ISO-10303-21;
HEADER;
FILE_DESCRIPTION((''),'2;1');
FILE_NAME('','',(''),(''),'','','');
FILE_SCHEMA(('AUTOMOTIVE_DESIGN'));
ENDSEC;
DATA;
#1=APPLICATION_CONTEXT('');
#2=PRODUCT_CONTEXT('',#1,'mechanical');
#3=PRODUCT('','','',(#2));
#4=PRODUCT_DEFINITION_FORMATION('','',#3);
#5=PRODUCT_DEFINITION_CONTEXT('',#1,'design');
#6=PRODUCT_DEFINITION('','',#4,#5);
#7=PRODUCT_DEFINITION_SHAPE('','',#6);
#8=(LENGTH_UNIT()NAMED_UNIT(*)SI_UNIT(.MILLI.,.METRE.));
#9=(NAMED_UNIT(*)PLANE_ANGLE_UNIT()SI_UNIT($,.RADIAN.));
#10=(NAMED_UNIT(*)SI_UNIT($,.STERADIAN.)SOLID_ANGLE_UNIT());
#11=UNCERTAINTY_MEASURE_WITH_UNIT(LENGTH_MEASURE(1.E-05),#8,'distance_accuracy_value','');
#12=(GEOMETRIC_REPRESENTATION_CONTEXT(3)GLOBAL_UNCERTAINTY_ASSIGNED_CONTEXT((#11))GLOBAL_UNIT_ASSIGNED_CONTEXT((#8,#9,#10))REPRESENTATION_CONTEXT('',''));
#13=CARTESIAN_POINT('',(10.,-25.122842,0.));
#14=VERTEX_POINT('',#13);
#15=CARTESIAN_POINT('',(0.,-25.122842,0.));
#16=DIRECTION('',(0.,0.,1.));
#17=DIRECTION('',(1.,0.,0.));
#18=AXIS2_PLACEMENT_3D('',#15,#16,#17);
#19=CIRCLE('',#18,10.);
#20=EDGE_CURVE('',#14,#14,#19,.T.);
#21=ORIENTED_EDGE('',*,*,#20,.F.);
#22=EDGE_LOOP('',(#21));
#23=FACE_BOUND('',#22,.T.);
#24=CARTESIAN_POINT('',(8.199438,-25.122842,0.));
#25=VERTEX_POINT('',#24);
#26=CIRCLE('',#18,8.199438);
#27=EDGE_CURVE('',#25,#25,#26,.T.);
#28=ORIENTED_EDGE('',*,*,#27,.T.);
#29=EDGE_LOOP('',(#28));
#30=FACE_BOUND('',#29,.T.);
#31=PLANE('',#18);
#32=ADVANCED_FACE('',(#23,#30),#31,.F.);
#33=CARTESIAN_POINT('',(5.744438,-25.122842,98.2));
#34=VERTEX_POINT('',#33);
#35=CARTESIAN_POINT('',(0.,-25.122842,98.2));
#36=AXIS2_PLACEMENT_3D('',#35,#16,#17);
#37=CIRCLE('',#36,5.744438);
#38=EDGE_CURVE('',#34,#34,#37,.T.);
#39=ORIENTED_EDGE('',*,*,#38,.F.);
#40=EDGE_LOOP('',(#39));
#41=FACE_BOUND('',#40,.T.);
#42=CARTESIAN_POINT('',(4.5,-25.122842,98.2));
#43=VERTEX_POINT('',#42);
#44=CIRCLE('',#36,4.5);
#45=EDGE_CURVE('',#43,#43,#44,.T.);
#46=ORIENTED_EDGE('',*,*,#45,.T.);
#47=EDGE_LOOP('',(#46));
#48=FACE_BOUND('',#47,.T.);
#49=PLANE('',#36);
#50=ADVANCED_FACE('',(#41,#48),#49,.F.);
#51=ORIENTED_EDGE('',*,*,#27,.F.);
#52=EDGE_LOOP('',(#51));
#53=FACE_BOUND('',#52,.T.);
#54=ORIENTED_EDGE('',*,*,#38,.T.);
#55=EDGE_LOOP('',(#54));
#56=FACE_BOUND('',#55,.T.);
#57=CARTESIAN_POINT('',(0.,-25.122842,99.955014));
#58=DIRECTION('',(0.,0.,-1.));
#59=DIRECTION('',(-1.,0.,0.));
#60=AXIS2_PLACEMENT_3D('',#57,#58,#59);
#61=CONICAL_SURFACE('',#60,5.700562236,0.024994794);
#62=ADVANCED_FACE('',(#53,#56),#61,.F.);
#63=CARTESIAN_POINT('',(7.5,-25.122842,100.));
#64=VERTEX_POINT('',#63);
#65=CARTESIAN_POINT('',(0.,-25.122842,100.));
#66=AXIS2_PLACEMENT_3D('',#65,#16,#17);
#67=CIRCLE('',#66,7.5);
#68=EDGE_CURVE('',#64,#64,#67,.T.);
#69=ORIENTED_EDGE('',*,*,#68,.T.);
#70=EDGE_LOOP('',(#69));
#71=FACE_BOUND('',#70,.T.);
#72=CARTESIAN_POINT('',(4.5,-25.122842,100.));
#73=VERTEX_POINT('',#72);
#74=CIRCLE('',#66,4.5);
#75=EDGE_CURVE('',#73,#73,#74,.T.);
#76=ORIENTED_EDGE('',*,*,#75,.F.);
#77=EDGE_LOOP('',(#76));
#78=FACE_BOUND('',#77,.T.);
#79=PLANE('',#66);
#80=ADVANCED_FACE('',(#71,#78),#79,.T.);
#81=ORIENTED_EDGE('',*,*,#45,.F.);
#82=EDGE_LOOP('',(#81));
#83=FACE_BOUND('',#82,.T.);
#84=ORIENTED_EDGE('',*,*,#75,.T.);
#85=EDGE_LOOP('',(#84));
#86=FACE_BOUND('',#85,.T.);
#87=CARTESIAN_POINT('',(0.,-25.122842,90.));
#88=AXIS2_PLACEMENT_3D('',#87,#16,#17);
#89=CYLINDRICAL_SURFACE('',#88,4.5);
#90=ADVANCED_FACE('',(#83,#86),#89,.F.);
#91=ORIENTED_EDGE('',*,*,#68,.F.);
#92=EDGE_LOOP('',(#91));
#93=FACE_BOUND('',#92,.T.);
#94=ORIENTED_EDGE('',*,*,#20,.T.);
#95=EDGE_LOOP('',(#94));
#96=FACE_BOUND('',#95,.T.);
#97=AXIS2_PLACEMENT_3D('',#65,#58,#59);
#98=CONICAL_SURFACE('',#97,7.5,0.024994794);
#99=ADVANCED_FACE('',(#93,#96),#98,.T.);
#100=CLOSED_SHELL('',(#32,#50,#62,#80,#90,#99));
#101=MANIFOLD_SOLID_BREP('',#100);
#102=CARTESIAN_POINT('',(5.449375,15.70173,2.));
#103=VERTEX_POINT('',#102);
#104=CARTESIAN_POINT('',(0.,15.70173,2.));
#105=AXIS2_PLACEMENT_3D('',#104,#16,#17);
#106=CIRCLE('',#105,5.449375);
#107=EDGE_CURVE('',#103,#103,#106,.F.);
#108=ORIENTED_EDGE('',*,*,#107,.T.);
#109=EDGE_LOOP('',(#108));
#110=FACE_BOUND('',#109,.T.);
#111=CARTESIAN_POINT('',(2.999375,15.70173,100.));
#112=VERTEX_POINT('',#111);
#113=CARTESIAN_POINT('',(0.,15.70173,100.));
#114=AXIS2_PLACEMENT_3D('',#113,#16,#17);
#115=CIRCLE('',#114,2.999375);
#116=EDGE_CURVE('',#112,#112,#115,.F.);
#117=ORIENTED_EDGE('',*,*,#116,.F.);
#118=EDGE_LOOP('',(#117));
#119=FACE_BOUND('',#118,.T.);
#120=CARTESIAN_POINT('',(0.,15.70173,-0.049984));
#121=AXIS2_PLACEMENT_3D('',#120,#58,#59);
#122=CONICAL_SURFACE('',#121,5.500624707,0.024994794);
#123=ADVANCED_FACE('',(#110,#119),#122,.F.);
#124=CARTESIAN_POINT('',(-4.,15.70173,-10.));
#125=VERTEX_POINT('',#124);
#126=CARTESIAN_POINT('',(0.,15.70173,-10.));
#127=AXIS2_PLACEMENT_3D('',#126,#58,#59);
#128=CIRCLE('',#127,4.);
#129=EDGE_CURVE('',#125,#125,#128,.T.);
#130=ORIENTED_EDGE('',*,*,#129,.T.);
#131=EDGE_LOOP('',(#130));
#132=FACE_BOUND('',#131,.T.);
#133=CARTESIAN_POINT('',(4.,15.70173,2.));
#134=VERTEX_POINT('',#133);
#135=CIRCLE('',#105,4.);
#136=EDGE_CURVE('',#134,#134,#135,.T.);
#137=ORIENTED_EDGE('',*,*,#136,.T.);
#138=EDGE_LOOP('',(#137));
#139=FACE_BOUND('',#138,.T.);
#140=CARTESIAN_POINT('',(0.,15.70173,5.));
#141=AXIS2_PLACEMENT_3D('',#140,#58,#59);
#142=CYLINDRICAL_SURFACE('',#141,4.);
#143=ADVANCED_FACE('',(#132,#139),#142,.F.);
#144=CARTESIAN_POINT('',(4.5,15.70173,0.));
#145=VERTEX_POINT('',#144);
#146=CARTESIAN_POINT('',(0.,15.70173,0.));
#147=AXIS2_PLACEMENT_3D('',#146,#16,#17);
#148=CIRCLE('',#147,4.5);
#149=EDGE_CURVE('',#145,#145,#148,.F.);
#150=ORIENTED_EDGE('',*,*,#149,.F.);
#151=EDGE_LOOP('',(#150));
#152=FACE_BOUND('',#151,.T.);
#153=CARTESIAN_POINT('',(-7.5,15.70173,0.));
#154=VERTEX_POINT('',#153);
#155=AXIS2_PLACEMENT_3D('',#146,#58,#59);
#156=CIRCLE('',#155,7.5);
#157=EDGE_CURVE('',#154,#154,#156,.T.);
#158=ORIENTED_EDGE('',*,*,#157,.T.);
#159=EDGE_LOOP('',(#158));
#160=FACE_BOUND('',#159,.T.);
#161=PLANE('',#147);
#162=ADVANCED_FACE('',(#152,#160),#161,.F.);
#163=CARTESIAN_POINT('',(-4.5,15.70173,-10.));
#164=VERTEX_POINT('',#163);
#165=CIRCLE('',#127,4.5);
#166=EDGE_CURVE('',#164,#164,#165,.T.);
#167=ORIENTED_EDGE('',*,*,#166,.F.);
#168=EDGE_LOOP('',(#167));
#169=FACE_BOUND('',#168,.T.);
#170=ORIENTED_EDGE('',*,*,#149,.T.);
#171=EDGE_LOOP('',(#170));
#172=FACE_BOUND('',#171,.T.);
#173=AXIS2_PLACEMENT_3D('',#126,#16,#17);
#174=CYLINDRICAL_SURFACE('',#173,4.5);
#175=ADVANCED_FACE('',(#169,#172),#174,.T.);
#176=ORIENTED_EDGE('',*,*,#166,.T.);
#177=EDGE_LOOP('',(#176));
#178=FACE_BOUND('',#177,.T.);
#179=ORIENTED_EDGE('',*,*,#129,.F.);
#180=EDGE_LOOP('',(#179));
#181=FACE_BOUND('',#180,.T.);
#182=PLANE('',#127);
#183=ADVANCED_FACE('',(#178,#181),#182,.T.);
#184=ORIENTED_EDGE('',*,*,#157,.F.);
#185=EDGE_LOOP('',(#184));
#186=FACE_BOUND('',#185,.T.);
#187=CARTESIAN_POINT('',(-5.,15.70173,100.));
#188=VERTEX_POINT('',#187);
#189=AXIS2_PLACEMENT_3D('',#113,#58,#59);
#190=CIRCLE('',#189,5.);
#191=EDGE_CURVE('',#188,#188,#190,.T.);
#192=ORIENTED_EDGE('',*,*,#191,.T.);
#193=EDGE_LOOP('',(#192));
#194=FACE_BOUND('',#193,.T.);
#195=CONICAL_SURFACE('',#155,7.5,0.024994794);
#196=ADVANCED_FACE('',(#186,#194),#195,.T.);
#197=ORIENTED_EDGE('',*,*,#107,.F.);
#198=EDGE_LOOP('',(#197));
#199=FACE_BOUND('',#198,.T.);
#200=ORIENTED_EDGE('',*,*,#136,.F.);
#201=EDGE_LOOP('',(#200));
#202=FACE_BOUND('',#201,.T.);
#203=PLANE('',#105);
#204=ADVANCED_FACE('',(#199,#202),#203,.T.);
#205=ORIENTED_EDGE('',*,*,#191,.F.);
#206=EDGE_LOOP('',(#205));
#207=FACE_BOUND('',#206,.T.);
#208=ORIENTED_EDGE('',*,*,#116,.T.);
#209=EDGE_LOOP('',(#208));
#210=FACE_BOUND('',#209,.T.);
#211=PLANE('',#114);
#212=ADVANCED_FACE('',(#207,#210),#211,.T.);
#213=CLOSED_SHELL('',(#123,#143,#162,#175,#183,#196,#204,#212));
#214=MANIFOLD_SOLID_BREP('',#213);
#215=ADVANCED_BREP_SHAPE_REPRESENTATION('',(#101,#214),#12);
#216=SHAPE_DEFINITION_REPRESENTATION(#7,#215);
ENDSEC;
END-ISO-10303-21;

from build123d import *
from build123d.topology import SkipClean

# Parameters (mm, degrees)
SKETCH1_R             = 10
BOSS_EXTRUDE1_DEPTH   = 100
SKETCH1_R_2           = 7.5
BOSS_EXTRUDE1_2_DEPTH = 100
SHELL1_T              = -1.8
SHELL2_T              = -2
SKETCH4_R             = 4
CUT_EXTRUDE1_DEPTH    = 5
SKETCH5_R             = 4.5
CUT_EXTRUDE2_DEPTH    = 10
SKETCH6_R             = 4.5
SKETCH6_R_2           = 4
BOSS_EXTRUDE2_DEPTH   = 10


with BuildPart() as part:
    # Sketch1 → Boss-Extrude1 (new body)
    with BuildSketch(Plane.XY):
        with Locations((0, -25.12284227)):
            Circle(SKETCH1_R)
    extrude(amount=BOSS_EXTRUDE1_DEPTH)

    # Sketch2 → Cut-Revolve1 (revolve, cut)
    with BuildSketch(Plane(origin=(0, 0, 0), x_dir=(0, 0, -1), z_dir=(1, 0, 0)), mode=Mode.PRIVATE) as cut_revolve1_sk:
        Polygon((-100, -17.62284227), (0, -15.12284227), (0, -12.650397716), (-101.814601603, -12.650397716), align=None)
    revolve(cut_revolve1_sk.sketch.rotate(Axis((0, -25.12284227, 100), (0, 0, -1)), 90), axis=Axis((0, -25.12284227, 100), (0, 0, -1)), mode=Mode.SUBTRACT)

    # Shell1
    shell1_openings = [part.faces().sort_by_distance(p)[0] for p in [
        (0, -25.12284227, 0),
    ]]
    offset(amount=SHELL1_T, openings=shell1_openings, kind=Kind.INTERSECTION)

    # Sketch5 → Cut-Extrude2 (cut)
    with BuildSketch(Plane.XY.offset(100)):
        with Locations((0, -25.12284227)):
            Circle(SKETCH5_R)
    extrude(amount=-CUT_EXTRUDE2_DEPTH, mode=Mode.SUBTRACT)


with BuildPart() as body_2:
    # Sketch1 → Boss-Extrude1 2 (new body)
    with BuildSketch(Plane.XY):
        with Locations((0, 15.701730192)):
            Circle(SKETCH1_R_2)
    extrude(amount=BOSS_EXTRUDE1_2_DEPTH)

    # Sketch3 → Cut-Revolve2 (revolve, cut)
    with BuildSketch(Plane(origin=(0, 0, 0), x_dir=(0, 0, -1), z_dir=(1, 0, 0)), mode=Mode.PRIVATE) as cut_revolve2_sk:
        Polygon((0, 8.201730192), (-100, 10.701730192), (-103.648274883, 0.699875942), (0, 5.700803067), align=None)
    revolve(cut_revolve2_sk.sketch.rotate(Axis((0, 15.701730192, 0), (0, 0, 1)), 270), axis=Axis((0, 15.701730192, 0), (0, 0, 1)), mode=Mode.SUBTRACT)

    # Shell2
    shell2_openings = [body_2.faces().sort_by_distance(p)[0] for p in [
        (0, 15.701730192, 100),
    ]]
    offset(amount=SHELL2_T, openings=shell2_openings, kind=Kind.INTERSECTION)

    # Sketch4 → Cut-Extrude1 (cut, symmetric)
    with BuildSketch(Plane(origin=(0, 0, 0), x_dir=(-1, 0, 0), z_dir=(0, 0, -1))):
        with Locations(Location((0, 15.701730192, 0), (0, 0, 180))):
            Circle(SKETCH4_R)
    extrude(amount=CUT_EXTRUDE1_DEPTH, both=True, mode=Mode.SUBTRACT)

    # Sketch6 → Boss-Extrude2 (add)
    with SkipClean():  # the faces are left unmerged after this step: merging them gives an invalid solid
        with BuildSketch(Plane(origin=(0, 0, 0), x_dir=(-1, 0, 0), z_dir=(0, 0, -1))):
            with Locations(Location((0, 15.701730192, 0), (0, 0, 180))):
                Circle(SKETCH6_R)
            with Locations((0, 15.701730192)):
                Circle(SKETCH6_R_2, mode=Mode.SUBTRACT)
        extrude(amount=BOSS_EXTRUDE2_DEPTH)


solid = Compound([part.part, body_2.part])
